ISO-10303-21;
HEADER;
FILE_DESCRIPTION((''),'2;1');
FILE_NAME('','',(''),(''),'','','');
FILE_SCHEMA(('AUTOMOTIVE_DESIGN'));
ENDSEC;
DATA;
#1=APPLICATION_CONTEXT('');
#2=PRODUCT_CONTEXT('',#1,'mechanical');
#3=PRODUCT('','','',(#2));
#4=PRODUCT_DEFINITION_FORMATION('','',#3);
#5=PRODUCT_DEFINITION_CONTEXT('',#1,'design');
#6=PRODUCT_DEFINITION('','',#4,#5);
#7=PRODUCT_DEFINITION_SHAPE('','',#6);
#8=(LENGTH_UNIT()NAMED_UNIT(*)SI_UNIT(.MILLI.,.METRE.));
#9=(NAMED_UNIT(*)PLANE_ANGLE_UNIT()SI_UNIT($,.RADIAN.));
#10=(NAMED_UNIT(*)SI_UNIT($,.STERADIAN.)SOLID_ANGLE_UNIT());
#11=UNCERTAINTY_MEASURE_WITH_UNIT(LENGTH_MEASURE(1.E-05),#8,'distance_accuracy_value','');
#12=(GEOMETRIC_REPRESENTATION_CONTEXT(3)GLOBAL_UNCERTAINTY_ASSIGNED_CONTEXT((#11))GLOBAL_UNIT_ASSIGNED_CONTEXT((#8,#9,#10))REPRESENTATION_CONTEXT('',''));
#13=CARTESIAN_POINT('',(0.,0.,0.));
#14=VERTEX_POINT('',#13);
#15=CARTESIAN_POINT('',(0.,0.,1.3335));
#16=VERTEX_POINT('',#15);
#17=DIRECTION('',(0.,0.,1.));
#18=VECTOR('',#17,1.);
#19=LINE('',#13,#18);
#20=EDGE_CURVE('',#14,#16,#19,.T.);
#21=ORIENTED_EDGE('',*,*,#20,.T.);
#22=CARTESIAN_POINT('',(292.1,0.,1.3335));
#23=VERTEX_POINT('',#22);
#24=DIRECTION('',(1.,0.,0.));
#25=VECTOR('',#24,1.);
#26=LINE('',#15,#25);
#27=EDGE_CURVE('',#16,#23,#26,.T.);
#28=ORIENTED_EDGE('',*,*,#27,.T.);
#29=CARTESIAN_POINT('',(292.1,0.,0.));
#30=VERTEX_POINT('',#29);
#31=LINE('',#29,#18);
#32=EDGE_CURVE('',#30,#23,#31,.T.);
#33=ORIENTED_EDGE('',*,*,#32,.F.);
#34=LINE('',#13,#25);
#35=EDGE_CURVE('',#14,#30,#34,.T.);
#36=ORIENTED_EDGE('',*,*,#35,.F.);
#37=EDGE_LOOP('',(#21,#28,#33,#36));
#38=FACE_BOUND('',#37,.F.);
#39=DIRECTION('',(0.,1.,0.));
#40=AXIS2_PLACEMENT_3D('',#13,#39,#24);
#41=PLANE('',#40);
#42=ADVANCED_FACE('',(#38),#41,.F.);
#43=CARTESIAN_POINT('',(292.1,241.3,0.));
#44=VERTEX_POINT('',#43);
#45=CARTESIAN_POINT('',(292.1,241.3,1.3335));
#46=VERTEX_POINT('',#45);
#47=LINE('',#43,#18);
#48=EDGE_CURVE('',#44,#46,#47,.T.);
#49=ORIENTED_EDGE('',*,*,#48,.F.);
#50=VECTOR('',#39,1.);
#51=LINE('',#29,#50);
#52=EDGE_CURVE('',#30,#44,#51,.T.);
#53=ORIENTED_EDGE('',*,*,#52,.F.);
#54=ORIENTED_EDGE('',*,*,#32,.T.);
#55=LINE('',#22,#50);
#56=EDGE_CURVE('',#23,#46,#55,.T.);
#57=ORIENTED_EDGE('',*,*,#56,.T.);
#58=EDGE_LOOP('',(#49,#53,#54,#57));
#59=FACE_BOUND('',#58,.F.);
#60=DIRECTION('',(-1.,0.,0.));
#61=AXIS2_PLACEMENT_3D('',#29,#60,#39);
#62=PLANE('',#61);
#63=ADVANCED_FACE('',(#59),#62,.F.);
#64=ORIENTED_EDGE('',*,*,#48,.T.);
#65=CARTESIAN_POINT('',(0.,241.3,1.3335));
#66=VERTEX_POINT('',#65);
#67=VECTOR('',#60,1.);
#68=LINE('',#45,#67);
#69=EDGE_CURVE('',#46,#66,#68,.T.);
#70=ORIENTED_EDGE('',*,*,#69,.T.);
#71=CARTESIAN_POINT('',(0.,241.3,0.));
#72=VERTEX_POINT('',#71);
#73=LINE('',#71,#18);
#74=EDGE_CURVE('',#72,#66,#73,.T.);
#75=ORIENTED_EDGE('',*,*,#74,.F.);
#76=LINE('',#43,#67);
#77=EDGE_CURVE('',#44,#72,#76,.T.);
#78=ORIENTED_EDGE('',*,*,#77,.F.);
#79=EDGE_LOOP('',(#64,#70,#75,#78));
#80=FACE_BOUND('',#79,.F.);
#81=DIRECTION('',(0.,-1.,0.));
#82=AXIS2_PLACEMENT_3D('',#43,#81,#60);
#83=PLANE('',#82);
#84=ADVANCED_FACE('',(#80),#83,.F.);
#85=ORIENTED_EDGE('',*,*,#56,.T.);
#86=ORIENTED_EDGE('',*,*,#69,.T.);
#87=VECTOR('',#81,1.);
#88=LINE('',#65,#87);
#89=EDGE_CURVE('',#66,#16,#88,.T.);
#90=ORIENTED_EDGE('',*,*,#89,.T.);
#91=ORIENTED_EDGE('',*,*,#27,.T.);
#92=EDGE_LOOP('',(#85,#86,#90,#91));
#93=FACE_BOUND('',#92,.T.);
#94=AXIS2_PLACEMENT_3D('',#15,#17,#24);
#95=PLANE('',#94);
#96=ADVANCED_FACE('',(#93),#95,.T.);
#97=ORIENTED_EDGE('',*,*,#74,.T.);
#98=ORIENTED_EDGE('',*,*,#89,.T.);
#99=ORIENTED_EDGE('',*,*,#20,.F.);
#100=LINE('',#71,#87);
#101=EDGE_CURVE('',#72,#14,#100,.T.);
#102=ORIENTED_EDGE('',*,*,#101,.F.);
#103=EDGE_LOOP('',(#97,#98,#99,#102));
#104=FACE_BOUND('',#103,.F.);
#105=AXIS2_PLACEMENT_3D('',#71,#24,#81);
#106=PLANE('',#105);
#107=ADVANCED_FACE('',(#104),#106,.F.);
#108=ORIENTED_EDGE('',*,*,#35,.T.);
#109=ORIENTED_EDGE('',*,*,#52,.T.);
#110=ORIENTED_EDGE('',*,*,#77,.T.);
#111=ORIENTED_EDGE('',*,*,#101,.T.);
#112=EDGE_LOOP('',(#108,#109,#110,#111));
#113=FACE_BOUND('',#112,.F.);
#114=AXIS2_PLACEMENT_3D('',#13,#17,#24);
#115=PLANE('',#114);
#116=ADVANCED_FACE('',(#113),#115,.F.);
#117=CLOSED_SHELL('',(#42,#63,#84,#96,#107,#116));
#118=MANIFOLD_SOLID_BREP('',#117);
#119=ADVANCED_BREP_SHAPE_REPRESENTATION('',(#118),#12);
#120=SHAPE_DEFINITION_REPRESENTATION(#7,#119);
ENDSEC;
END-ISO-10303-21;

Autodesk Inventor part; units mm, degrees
ref_plane "YZ Plane" through (0, 0, 0) normal (1, 0, 0) x (0, 1, 0)
ref_plane "XZ Plane" through (0, 0, 0) normal (0, 1, 0) x (-1, 0, 0)
ref_plane "XY Plane" through (0, 0, 0) normal (0, 0, 1) x (1, 0, 0)
sketch "Sketch1" plane through (0, 0, 0) normal (0, 0, 1) x (1, 0, 0)
  line L0 (0, 0) -> (292.1, 0)
  line L1 (292.1, 0) -> (292.1, 241.3)
  line L2 (292.1, 241.3) -> (0, 241.3)
  line L3 (0, 241.3) -> (0, 0)
  dimension "d0" = 292.1
  dimension "d1" = 241.3
extrude "Extrusion1" add sketch "Sketch1" along normal blind 1.3335
properties part number "Plexi Sheet" material "Polycarbonate, Clear"
